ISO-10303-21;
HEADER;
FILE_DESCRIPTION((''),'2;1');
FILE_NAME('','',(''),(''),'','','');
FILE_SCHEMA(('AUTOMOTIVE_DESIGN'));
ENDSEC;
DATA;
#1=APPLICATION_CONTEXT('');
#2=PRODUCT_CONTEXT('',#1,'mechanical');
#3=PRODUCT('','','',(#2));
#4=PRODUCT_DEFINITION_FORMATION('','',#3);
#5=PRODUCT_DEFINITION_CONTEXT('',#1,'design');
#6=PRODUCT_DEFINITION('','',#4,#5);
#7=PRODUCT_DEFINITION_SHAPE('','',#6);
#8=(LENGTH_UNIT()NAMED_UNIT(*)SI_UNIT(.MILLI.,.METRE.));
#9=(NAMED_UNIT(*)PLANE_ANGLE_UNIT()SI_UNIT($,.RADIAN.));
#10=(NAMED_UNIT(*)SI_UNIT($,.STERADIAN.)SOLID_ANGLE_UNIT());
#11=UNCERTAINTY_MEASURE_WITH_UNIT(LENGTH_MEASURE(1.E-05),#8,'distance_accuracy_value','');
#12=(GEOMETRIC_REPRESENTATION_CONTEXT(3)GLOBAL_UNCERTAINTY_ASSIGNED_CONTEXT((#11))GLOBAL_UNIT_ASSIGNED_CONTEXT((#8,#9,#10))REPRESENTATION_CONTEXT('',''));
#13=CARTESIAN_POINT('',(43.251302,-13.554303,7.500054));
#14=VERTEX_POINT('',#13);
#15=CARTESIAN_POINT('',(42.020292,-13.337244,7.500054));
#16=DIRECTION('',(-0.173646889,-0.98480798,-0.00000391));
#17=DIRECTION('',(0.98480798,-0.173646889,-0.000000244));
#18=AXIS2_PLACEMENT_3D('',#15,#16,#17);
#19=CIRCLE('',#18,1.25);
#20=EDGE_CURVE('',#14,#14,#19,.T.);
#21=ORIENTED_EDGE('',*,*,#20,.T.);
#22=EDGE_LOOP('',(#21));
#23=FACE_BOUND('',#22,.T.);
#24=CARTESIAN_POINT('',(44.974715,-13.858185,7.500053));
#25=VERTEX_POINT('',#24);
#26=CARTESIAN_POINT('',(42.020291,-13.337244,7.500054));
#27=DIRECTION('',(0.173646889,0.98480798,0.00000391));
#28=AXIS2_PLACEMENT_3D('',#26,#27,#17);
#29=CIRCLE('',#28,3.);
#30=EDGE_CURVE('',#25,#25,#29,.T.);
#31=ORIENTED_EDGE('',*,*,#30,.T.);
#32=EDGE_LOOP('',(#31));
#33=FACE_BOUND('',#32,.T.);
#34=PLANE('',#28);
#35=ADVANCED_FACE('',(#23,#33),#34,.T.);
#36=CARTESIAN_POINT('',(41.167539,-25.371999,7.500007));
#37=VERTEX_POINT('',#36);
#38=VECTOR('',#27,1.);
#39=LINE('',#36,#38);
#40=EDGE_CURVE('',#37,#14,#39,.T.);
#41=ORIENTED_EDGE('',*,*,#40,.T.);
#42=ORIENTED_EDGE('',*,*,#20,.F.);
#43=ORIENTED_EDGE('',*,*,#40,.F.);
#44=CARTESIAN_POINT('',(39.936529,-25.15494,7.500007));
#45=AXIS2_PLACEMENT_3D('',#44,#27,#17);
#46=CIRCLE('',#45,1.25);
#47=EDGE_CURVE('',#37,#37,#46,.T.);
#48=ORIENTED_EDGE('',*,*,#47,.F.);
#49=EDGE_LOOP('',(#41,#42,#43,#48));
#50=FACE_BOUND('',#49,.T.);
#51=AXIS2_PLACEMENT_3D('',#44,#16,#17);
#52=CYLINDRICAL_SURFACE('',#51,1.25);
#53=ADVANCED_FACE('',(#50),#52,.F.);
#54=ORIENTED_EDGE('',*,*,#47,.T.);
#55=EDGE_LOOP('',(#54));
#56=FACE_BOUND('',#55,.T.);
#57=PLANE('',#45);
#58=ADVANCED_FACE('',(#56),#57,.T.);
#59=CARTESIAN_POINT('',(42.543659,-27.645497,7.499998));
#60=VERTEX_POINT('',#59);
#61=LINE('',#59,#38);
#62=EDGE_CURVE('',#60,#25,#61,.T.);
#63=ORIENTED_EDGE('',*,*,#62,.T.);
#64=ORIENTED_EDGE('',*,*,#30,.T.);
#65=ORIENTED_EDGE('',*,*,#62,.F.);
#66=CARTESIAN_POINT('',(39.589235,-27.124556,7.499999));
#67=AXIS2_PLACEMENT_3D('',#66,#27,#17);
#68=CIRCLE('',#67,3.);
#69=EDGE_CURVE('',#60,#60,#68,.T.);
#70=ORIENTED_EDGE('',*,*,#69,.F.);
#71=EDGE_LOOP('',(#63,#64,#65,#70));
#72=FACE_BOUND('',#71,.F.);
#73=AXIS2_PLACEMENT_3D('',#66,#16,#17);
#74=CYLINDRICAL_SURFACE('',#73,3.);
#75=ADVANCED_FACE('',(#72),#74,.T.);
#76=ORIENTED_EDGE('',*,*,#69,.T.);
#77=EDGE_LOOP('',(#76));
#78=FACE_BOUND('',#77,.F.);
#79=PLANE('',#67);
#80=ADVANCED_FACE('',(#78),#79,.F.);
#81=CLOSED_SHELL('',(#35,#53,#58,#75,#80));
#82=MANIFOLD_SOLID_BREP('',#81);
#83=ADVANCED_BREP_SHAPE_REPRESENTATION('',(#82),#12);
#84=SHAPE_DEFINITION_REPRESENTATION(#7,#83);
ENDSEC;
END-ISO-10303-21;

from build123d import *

# Parameters (mm, degrees)
CYLINDER036_R               = 1.25
CYLINDER036_DEPTH           = 14
CYLINDER036_ROLL_ANGLE      = -89.999776
CYLINDER036_PITCH_ANGLE     = 1.4e-05
CYLINDER036_PLACEMENT_ANGLE = -9.999925
CYLINDER030_R               = 3
CYLINDER030_DEPTH           = 14
CYLINDER030_ROLL_ANGLE      = -89.999776
CYLINDER030_PITCH_ANGLE     = 1.4e-05
CYLINDER030_PLACEMENT_ANGLE = -9.999925


with BuildPart() as cylinder036:
    # Cylinder036 → Cylinder036 (new body)
    with BuildSketch(Plane.XY):
        Circle(CYLINDER036_R)
    extrude(amount=CYLINDER036_DEPTH)


with BuildPart() as cylinder036_1:
    # Cylinder036 roll: moved
    add(cylinder036.part.rotate(Axis((0, 0, 0), (1, 0, 0)), CYLINDER036_ROLL_ANGLE))


with BuildPart() as cylinder036_2:
    # Cylinder036 pitch: moved
    add(cylinder036_1.part.rotate(Axis((0, 0, 0), (0, 1, 0)), CYLINDER036_PITCH_ANGLE))


with BuildPart() as cylinder036_3:
    # Cylinder036 placement: moved
    add(cylinder036_2.part.moved(Location((39.936529, -25.15494, 7.500007))).rotate(Axis((39.936529, -25.15494, 7.500007), (0, 0, 1)), CYLINDER036_PLACEMENT_ANGLE))


with BuildPart() as cut035:
    # Cylinder030 → Cylinder030 (new body)
    with BuildSketch(Plane.XY):
        Circle(CYLINDER030_R)
    extrude(amount=CYLINDER030_DEPTH)


with BuildPart() as cut035_1:
    # Cylinder030 roll: moved
    add(cut035.part.rotate(Axis((0, 0, 0), (1, 0, 0)), CYLINDER030_ROLL_ANGLE))


with BuildPart() as cut035_2:
    # Cylinder030 pitch: moved
    add(cut035_1.part.rotate(Axis((0, 0, 0), (0, 1, 0)), CYLINDER030_PITCH_ANGLE))


with BuildPart() as cut035_3:
    # Cylinder030 placement: moved
    add(cut035_2.part.moved(Location((39.589235, -27.124556, 7.499999))).rotate(Axis((39.589235, -27.124556, 7.499999), (0, 0, 1)), CYLINDER030_PLACEMENT_ANGLE))

    # Cut035: cut Cylinder036
    add(cylinder036_3.part, mode=Mode.SUBTRACT)


solid = cut035_3.part
